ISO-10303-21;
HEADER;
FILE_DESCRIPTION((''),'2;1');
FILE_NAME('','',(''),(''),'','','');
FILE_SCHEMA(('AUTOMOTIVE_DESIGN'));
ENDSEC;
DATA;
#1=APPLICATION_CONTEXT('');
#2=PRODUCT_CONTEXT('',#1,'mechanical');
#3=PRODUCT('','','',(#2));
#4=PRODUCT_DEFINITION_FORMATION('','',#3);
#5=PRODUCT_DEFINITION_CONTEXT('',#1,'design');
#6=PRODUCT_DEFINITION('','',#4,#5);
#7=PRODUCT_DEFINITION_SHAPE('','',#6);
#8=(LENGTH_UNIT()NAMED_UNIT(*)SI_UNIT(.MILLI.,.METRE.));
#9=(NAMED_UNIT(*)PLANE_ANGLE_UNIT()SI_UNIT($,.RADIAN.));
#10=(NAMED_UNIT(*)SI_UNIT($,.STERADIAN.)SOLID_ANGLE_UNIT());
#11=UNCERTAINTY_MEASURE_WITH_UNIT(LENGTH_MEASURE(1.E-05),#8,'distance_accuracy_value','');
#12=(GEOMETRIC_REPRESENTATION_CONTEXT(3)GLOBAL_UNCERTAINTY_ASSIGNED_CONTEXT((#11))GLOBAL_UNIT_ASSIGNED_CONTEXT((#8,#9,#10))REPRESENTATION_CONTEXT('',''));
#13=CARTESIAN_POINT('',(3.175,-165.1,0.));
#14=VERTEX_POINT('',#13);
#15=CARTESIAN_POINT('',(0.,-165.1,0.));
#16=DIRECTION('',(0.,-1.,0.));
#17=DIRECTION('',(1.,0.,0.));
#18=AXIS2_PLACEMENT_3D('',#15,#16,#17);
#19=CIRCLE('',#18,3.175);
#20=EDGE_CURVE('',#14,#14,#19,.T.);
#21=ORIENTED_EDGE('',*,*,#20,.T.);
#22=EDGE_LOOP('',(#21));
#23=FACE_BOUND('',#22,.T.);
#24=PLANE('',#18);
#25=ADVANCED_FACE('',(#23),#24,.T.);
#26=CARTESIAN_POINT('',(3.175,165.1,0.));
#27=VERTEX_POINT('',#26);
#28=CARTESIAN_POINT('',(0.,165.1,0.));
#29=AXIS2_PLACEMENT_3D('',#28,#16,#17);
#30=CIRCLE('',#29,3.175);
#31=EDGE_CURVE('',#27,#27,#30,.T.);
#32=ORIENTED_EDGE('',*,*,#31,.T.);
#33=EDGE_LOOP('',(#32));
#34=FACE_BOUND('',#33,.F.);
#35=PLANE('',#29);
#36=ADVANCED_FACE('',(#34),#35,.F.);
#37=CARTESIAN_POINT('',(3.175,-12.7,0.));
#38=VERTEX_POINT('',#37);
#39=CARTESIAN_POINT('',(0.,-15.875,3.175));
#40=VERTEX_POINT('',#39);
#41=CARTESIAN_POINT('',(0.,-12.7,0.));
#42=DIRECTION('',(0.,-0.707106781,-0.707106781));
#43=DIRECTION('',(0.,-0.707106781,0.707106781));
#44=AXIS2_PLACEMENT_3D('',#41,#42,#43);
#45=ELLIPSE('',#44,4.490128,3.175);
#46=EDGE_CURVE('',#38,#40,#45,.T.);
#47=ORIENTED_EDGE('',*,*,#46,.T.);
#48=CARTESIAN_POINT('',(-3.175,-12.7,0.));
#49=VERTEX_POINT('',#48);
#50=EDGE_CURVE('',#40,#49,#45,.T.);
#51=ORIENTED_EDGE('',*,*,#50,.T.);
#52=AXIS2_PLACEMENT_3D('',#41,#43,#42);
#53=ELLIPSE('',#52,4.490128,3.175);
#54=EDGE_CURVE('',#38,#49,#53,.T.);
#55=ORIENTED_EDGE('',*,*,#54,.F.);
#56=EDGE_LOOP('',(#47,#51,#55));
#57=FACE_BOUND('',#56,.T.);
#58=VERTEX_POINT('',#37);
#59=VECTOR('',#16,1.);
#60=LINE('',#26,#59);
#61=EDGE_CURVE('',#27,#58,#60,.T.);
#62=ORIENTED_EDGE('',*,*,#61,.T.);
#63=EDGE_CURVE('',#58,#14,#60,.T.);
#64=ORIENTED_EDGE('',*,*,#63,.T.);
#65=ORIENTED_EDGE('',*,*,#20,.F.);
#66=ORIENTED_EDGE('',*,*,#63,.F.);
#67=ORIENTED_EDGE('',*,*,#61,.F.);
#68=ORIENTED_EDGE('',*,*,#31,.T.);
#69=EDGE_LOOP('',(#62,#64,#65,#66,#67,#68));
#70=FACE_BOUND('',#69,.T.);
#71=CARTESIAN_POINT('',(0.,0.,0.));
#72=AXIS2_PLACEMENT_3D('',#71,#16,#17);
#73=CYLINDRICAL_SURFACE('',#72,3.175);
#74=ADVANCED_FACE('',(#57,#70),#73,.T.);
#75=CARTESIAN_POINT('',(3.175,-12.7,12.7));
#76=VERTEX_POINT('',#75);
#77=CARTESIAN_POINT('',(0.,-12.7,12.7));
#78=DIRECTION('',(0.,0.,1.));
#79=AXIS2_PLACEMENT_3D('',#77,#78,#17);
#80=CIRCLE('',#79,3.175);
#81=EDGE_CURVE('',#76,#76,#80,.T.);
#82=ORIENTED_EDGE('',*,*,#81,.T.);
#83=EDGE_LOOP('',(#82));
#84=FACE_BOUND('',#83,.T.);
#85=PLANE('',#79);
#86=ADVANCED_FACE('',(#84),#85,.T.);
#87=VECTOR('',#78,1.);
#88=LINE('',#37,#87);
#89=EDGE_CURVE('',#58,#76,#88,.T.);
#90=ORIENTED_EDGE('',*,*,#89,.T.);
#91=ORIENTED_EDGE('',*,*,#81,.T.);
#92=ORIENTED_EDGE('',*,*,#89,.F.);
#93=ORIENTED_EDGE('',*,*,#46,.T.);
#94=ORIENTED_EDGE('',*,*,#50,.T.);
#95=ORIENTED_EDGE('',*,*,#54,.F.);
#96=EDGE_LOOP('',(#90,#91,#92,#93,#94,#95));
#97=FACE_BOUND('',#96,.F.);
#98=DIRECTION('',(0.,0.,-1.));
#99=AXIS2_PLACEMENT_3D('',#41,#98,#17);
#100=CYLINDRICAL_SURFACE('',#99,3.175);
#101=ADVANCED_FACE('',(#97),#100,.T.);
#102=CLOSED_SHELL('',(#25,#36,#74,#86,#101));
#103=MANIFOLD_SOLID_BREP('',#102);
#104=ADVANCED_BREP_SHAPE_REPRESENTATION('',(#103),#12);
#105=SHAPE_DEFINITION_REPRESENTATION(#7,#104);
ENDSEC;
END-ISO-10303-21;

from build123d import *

# Parameters (mm, degrees)
F0_R     = 3.175
F1_DEPTH = 165.1
F2_R     = 3.175
F3_DEPTH = 12.7


with BuildPart() as f1:
    # F0 (on Front) → F1 (new body, symmetric)
    with BuildSketch(Plane.XZ):
        Circle(F0_R)
    extrude(amount=F1_DEPTH, both=True)

    # F2 (on Top) → F3 (join)
    with BuildSketch(Plane.XY):
        with Locations((0, -12.7)):
            Circle(F2_R)
    extrude(amount=F3_DEPTH)


solid = f1.part
